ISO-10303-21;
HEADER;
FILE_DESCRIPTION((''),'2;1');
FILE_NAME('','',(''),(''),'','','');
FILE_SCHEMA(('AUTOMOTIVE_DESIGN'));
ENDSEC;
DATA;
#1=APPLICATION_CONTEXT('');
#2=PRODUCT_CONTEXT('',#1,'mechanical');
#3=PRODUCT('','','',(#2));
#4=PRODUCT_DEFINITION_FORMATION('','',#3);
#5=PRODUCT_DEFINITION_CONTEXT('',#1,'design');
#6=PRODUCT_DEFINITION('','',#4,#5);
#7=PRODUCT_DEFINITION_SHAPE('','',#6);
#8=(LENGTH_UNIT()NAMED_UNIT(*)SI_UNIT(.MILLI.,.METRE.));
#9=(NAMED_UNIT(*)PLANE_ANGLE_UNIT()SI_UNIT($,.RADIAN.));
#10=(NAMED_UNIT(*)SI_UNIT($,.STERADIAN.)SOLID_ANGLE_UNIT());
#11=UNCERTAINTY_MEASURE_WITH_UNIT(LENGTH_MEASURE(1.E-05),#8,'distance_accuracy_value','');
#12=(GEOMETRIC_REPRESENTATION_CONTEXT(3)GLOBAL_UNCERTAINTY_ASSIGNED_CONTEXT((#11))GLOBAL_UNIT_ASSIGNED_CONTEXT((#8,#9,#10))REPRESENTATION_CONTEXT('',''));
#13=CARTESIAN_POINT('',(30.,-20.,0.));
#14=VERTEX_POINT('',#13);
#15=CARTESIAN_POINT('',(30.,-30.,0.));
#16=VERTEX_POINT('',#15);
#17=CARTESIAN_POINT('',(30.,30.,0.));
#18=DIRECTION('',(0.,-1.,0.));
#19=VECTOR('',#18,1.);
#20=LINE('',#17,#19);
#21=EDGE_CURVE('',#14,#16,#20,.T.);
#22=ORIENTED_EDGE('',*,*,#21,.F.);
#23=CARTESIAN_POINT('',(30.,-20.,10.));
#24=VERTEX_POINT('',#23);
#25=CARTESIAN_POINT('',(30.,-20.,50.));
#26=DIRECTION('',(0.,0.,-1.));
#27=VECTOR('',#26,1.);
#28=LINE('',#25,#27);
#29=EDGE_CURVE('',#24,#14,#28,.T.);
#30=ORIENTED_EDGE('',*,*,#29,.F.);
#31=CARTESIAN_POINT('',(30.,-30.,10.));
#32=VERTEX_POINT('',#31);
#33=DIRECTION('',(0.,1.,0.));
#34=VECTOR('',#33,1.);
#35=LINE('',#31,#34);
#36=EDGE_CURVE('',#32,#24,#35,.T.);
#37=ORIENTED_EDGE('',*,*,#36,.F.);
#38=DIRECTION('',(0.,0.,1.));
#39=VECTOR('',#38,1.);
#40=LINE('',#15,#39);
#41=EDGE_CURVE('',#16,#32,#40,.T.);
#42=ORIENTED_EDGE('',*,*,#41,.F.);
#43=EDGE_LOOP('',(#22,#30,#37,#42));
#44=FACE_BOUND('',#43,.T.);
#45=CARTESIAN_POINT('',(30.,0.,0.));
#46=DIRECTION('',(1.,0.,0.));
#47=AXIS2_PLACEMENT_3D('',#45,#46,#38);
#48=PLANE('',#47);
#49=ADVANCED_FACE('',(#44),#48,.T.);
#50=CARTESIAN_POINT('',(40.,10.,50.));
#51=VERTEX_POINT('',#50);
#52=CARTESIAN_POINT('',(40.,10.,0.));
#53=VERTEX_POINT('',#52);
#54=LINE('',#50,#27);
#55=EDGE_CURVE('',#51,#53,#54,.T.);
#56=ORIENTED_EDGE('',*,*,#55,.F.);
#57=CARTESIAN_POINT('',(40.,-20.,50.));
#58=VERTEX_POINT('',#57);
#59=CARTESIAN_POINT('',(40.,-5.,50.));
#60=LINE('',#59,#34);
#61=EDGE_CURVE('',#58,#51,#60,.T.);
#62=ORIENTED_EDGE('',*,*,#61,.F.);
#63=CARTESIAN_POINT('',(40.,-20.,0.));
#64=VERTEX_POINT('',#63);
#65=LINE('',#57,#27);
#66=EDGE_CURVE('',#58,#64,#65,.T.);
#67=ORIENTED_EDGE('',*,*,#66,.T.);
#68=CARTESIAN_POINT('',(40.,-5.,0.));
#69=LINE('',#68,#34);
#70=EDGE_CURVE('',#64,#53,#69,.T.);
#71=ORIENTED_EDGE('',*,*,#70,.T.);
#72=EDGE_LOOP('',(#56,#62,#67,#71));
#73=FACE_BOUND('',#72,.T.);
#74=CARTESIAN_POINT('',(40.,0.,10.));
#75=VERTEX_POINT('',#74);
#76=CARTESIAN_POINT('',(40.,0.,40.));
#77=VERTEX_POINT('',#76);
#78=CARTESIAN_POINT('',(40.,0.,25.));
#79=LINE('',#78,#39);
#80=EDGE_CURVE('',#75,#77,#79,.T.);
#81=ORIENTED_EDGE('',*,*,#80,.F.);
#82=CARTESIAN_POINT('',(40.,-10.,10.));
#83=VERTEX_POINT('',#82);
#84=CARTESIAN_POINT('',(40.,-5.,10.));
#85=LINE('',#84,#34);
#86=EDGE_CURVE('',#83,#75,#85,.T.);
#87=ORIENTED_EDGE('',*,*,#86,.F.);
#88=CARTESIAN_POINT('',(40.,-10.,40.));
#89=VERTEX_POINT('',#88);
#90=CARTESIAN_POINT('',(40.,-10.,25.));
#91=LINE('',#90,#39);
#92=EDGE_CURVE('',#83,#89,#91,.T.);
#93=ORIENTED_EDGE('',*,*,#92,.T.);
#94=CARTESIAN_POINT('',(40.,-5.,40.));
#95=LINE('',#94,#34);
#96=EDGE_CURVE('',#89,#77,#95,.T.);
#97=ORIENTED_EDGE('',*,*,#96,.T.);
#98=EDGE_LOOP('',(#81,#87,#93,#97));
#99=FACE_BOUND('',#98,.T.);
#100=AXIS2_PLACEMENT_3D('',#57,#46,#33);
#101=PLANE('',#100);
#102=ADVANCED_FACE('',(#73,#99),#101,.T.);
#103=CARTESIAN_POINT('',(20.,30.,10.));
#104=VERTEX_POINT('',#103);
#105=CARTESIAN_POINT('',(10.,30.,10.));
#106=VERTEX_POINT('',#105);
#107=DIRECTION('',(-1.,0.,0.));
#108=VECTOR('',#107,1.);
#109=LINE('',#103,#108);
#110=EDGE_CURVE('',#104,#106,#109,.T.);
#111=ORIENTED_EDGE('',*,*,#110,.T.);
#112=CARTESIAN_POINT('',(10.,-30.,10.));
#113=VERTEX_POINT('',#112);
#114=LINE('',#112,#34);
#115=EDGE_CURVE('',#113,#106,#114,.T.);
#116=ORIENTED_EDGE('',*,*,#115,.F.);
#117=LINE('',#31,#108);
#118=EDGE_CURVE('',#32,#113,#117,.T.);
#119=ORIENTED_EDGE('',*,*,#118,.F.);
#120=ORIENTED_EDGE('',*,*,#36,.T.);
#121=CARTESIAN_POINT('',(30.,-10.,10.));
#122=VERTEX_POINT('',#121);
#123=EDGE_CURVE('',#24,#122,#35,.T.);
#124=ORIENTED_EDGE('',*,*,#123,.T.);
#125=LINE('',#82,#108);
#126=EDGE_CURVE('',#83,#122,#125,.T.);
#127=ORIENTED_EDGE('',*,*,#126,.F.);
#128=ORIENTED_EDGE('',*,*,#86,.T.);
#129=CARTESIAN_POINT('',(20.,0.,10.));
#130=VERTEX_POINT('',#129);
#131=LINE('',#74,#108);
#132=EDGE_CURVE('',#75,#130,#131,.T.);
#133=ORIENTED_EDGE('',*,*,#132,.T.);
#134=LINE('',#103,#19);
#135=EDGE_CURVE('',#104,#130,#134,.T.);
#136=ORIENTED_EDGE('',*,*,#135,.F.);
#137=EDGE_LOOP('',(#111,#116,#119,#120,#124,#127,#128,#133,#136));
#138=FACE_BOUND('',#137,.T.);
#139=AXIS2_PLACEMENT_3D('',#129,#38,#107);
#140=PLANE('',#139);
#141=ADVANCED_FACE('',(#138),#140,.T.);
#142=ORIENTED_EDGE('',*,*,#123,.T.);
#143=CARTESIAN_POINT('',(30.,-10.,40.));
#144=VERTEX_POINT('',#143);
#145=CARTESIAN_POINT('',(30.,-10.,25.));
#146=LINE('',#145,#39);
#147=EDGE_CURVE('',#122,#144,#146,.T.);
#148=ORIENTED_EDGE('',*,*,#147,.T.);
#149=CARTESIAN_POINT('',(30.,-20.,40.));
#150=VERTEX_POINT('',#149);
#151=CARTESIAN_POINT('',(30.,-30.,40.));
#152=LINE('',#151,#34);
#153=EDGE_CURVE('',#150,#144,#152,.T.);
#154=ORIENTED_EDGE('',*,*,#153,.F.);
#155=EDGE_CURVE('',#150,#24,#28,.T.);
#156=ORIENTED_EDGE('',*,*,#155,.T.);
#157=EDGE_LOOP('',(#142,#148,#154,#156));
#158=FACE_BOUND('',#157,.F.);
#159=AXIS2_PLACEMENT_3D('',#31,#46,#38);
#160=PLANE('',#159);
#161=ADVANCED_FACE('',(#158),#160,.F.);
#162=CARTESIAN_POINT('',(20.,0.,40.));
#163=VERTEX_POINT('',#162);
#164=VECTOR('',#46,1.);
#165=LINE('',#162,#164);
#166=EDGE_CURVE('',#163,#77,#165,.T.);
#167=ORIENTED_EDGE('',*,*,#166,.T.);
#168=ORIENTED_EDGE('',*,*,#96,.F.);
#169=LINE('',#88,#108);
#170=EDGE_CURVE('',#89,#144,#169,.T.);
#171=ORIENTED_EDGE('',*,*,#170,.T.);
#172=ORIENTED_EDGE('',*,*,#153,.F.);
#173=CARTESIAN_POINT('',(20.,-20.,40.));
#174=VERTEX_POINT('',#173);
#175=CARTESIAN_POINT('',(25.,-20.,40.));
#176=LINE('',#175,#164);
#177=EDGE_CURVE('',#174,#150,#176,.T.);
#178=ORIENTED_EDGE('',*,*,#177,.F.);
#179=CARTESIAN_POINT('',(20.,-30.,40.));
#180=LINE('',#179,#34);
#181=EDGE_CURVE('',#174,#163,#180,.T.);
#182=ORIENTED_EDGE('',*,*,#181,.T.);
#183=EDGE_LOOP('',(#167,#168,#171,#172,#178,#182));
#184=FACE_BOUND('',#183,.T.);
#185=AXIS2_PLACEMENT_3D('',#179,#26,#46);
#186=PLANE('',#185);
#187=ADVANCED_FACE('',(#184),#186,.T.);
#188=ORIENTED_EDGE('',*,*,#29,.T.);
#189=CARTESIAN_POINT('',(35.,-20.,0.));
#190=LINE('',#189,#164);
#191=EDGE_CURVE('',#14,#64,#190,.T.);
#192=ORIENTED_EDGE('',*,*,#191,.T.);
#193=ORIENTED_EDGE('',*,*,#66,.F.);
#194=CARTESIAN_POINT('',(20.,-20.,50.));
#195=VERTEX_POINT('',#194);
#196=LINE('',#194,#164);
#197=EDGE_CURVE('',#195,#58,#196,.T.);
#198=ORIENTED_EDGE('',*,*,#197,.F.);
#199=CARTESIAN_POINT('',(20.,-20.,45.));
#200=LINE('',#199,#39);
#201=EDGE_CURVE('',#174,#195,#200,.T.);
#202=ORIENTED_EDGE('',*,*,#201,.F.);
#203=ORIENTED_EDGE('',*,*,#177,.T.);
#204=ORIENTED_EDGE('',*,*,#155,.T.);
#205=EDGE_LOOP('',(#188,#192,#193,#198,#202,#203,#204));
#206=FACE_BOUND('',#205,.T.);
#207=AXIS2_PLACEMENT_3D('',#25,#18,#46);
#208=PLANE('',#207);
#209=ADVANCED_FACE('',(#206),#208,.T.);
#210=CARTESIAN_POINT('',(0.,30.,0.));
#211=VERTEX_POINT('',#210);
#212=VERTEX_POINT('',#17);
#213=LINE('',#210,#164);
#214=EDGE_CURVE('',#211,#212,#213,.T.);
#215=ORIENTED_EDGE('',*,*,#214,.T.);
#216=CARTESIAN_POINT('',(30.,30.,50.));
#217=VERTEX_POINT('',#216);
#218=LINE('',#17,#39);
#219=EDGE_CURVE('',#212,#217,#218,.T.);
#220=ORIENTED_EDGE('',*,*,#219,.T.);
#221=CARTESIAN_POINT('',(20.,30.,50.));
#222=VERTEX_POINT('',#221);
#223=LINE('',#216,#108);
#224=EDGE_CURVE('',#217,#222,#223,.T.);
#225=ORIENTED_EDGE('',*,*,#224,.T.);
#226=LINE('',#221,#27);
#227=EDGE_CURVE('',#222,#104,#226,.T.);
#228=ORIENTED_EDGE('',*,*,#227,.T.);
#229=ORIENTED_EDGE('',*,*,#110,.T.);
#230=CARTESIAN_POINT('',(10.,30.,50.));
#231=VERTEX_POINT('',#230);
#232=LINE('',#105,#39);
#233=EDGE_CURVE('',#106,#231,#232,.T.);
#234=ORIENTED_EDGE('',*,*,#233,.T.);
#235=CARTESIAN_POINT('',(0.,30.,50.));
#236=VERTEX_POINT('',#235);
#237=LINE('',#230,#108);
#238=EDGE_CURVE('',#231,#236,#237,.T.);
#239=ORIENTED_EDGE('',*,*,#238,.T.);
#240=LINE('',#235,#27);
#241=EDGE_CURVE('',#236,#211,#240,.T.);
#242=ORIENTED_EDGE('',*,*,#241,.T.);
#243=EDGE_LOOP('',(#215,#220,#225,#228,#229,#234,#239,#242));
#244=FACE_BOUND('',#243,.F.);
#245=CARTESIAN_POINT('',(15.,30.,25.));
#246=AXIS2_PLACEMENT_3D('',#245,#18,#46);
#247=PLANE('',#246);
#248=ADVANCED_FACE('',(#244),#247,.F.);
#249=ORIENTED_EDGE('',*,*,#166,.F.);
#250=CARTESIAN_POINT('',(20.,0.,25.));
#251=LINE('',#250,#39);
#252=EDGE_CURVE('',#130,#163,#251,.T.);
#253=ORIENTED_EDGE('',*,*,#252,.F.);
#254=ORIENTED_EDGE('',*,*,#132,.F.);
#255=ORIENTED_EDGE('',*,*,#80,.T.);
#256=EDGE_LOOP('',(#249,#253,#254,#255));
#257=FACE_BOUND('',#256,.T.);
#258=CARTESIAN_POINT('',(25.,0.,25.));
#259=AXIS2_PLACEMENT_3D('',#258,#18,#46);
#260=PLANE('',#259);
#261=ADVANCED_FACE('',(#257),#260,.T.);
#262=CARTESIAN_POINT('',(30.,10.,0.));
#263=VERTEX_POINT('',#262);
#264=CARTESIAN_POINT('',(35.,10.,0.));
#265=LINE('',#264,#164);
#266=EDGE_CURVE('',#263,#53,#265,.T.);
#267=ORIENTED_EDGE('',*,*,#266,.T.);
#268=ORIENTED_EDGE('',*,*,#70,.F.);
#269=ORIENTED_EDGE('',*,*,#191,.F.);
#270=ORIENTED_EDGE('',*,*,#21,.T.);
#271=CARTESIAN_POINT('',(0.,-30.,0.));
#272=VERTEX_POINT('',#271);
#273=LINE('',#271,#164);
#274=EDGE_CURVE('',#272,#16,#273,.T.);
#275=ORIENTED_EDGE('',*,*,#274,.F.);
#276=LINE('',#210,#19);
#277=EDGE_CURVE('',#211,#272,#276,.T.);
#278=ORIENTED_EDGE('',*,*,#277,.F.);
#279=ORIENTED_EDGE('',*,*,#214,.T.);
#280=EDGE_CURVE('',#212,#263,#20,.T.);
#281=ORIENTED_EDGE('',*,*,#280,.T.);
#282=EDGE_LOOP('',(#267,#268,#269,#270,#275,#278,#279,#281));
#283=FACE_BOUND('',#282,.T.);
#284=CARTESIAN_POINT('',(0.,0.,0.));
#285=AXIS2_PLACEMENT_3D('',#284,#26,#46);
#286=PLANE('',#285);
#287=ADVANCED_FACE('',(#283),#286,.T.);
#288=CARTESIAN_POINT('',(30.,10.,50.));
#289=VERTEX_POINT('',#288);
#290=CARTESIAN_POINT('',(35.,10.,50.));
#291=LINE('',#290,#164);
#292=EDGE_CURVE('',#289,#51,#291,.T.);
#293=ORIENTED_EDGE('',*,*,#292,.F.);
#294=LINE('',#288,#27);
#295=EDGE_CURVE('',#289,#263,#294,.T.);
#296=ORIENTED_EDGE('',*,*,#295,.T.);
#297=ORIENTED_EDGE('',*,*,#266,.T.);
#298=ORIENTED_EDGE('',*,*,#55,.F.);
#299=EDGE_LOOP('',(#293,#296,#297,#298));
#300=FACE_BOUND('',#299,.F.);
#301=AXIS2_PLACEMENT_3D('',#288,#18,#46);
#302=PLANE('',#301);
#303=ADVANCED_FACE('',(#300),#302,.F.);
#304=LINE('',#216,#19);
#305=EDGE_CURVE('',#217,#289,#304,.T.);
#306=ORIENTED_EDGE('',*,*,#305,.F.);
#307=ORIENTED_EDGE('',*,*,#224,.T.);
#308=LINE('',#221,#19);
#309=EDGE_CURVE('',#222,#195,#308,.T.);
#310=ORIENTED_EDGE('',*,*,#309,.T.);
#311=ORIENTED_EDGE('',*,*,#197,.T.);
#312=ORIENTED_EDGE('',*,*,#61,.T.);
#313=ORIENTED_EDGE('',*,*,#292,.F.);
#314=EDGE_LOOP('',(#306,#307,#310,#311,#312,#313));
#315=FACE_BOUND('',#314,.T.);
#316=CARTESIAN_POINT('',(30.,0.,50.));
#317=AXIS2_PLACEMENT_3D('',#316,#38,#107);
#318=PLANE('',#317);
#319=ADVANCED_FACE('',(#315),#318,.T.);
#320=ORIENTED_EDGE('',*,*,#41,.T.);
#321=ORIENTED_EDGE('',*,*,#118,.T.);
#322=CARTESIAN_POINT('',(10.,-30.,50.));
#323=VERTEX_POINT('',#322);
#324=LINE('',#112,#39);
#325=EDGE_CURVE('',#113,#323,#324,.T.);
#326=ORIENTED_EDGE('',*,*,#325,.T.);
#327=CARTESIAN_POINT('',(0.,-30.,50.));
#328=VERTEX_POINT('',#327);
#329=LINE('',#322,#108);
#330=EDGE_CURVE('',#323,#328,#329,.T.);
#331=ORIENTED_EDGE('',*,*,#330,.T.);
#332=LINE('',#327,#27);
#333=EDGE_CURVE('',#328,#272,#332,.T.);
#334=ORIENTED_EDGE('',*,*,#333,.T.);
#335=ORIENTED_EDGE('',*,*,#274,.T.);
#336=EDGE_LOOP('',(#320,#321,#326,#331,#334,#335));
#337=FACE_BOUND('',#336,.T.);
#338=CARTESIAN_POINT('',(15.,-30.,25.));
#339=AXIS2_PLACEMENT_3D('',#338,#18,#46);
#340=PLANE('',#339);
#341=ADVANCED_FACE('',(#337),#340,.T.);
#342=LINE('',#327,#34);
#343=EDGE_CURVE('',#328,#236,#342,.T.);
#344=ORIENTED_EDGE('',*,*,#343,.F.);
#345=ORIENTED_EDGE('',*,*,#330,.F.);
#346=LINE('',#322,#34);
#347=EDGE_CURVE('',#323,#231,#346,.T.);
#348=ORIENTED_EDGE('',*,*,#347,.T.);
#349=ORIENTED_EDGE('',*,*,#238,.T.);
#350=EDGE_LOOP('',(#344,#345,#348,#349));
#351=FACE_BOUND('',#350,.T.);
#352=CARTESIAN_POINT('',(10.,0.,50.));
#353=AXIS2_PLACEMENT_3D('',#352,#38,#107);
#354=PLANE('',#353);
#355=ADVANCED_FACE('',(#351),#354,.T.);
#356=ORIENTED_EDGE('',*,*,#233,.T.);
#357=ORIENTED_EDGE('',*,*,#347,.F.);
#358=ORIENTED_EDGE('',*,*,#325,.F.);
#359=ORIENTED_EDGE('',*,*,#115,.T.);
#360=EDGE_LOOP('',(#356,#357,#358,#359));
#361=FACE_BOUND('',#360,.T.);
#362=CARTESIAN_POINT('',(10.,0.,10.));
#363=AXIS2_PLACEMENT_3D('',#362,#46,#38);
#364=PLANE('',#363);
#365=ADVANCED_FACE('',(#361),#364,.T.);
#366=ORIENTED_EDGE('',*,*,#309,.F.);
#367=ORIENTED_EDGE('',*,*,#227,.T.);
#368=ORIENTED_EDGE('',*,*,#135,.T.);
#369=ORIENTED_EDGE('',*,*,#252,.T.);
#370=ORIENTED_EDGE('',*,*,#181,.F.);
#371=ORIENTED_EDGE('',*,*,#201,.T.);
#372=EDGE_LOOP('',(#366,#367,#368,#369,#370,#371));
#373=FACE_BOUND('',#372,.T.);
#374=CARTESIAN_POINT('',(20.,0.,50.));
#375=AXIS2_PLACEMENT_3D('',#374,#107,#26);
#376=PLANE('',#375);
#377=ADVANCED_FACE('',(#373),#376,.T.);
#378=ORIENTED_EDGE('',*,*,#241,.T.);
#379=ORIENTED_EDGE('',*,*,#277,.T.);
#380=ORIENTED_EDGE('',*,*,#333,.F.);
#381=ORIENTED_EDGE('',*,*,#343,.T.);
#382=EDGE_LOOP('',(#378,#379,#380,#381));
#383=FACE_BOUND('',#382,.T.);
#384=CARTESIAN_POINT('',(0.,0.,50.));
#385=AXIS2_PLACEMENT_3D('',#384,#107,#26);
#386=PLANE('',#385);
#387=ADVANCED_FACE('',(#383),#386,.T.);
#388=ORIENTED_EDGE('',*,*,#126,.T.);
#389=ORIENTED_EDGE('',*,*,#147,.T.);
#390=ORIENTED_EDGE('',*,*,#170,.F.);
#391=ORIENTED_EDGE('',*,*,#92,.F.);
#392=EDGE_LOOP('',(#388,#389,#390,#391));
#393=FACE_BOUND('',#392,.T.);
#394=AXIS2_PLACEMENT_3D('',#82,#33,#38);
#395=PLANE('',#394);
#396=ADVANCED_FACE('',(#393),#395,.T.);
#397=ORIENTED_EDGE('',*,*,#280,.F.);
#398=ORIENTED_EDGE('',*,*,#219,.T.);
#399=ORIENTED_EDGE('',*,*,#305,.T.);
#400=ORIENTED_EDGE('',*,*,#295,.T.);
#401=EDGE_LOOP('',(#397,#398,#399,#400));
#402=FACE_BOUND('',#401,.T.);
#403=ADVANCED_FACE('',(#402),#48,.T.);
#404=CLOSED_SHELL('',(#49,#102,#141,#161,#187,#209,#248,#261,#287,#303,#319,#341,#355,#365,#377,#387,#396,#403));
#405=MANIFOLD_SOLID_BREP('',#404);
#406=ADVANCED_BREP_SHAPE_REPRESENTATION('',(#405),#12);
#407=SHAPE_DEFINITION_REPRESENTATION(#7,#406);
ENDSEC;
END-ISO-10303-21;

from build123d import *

# Parameters (mm, degrees)
F1_DEPTH = 30
F2_W     = 10
F2_H     = 30
F3_DEPTH = 50
F4_W     = 10
F4_H     = 10
F5_DEPTH = 10
F6_W     = 10
F6_H     = 30
F7_DEPTH = 30
F8_W     = 10
F8_H     = 30
F9_DEPTH = 10


with BuildPart() as f1:
    # F0 (on Front) → F1 (new body, symmetric)
    with BuildSketch(Plane.XZ):
        Polygon((0, 50), (0, 0), (30, 0), (30, 50), (20, 50), (20, 10), (10, 10), (10, 50), align=None)
    extrude(amount=F1_DEPTH, both=True)

    # F2 (on face) → F3 (join, through all)
    with BuildSketch(Plane.XY.offset(50)):
        with Locations((35, -5)):
            Rectangle(F2_W, F2_H)
    extrude(amount=-F3_DEPTH)

    # F4 (on face) → F5 (cut)
    with BuildSketch(Plane.XZ.offset(30)):
        with Locations((25, 45)):
            Rectangle(F4_W, F4_H)
        Polygon((40, 50), (30, 50), (30, 40), (30, 0), (40, 0), align=None)
    extrude(amount=-F5_DEPTH, mode=Mode.SUBTRACT)

    # F6 (on face) → F7 (cut)
    with BuildSketch(Plane.XZ.offset(30)):
        with Locations((25, 25)):
            Rectangle(F6_W, F6_H)
    extrude(amount=-F7_DEPTH, mode=Mode.SUBTRACT)

    # F8 (on face) → F9 (cut, through all)
    with BuildSketch(Plane.YZ.offset(40)):
        with Locations((-5, 25)):
            Rectangle(F8_W, F8_H)
    extrude(amount=-F9_DEPTH, mode=Mode.SUBTRACT)


solid = f1.part
